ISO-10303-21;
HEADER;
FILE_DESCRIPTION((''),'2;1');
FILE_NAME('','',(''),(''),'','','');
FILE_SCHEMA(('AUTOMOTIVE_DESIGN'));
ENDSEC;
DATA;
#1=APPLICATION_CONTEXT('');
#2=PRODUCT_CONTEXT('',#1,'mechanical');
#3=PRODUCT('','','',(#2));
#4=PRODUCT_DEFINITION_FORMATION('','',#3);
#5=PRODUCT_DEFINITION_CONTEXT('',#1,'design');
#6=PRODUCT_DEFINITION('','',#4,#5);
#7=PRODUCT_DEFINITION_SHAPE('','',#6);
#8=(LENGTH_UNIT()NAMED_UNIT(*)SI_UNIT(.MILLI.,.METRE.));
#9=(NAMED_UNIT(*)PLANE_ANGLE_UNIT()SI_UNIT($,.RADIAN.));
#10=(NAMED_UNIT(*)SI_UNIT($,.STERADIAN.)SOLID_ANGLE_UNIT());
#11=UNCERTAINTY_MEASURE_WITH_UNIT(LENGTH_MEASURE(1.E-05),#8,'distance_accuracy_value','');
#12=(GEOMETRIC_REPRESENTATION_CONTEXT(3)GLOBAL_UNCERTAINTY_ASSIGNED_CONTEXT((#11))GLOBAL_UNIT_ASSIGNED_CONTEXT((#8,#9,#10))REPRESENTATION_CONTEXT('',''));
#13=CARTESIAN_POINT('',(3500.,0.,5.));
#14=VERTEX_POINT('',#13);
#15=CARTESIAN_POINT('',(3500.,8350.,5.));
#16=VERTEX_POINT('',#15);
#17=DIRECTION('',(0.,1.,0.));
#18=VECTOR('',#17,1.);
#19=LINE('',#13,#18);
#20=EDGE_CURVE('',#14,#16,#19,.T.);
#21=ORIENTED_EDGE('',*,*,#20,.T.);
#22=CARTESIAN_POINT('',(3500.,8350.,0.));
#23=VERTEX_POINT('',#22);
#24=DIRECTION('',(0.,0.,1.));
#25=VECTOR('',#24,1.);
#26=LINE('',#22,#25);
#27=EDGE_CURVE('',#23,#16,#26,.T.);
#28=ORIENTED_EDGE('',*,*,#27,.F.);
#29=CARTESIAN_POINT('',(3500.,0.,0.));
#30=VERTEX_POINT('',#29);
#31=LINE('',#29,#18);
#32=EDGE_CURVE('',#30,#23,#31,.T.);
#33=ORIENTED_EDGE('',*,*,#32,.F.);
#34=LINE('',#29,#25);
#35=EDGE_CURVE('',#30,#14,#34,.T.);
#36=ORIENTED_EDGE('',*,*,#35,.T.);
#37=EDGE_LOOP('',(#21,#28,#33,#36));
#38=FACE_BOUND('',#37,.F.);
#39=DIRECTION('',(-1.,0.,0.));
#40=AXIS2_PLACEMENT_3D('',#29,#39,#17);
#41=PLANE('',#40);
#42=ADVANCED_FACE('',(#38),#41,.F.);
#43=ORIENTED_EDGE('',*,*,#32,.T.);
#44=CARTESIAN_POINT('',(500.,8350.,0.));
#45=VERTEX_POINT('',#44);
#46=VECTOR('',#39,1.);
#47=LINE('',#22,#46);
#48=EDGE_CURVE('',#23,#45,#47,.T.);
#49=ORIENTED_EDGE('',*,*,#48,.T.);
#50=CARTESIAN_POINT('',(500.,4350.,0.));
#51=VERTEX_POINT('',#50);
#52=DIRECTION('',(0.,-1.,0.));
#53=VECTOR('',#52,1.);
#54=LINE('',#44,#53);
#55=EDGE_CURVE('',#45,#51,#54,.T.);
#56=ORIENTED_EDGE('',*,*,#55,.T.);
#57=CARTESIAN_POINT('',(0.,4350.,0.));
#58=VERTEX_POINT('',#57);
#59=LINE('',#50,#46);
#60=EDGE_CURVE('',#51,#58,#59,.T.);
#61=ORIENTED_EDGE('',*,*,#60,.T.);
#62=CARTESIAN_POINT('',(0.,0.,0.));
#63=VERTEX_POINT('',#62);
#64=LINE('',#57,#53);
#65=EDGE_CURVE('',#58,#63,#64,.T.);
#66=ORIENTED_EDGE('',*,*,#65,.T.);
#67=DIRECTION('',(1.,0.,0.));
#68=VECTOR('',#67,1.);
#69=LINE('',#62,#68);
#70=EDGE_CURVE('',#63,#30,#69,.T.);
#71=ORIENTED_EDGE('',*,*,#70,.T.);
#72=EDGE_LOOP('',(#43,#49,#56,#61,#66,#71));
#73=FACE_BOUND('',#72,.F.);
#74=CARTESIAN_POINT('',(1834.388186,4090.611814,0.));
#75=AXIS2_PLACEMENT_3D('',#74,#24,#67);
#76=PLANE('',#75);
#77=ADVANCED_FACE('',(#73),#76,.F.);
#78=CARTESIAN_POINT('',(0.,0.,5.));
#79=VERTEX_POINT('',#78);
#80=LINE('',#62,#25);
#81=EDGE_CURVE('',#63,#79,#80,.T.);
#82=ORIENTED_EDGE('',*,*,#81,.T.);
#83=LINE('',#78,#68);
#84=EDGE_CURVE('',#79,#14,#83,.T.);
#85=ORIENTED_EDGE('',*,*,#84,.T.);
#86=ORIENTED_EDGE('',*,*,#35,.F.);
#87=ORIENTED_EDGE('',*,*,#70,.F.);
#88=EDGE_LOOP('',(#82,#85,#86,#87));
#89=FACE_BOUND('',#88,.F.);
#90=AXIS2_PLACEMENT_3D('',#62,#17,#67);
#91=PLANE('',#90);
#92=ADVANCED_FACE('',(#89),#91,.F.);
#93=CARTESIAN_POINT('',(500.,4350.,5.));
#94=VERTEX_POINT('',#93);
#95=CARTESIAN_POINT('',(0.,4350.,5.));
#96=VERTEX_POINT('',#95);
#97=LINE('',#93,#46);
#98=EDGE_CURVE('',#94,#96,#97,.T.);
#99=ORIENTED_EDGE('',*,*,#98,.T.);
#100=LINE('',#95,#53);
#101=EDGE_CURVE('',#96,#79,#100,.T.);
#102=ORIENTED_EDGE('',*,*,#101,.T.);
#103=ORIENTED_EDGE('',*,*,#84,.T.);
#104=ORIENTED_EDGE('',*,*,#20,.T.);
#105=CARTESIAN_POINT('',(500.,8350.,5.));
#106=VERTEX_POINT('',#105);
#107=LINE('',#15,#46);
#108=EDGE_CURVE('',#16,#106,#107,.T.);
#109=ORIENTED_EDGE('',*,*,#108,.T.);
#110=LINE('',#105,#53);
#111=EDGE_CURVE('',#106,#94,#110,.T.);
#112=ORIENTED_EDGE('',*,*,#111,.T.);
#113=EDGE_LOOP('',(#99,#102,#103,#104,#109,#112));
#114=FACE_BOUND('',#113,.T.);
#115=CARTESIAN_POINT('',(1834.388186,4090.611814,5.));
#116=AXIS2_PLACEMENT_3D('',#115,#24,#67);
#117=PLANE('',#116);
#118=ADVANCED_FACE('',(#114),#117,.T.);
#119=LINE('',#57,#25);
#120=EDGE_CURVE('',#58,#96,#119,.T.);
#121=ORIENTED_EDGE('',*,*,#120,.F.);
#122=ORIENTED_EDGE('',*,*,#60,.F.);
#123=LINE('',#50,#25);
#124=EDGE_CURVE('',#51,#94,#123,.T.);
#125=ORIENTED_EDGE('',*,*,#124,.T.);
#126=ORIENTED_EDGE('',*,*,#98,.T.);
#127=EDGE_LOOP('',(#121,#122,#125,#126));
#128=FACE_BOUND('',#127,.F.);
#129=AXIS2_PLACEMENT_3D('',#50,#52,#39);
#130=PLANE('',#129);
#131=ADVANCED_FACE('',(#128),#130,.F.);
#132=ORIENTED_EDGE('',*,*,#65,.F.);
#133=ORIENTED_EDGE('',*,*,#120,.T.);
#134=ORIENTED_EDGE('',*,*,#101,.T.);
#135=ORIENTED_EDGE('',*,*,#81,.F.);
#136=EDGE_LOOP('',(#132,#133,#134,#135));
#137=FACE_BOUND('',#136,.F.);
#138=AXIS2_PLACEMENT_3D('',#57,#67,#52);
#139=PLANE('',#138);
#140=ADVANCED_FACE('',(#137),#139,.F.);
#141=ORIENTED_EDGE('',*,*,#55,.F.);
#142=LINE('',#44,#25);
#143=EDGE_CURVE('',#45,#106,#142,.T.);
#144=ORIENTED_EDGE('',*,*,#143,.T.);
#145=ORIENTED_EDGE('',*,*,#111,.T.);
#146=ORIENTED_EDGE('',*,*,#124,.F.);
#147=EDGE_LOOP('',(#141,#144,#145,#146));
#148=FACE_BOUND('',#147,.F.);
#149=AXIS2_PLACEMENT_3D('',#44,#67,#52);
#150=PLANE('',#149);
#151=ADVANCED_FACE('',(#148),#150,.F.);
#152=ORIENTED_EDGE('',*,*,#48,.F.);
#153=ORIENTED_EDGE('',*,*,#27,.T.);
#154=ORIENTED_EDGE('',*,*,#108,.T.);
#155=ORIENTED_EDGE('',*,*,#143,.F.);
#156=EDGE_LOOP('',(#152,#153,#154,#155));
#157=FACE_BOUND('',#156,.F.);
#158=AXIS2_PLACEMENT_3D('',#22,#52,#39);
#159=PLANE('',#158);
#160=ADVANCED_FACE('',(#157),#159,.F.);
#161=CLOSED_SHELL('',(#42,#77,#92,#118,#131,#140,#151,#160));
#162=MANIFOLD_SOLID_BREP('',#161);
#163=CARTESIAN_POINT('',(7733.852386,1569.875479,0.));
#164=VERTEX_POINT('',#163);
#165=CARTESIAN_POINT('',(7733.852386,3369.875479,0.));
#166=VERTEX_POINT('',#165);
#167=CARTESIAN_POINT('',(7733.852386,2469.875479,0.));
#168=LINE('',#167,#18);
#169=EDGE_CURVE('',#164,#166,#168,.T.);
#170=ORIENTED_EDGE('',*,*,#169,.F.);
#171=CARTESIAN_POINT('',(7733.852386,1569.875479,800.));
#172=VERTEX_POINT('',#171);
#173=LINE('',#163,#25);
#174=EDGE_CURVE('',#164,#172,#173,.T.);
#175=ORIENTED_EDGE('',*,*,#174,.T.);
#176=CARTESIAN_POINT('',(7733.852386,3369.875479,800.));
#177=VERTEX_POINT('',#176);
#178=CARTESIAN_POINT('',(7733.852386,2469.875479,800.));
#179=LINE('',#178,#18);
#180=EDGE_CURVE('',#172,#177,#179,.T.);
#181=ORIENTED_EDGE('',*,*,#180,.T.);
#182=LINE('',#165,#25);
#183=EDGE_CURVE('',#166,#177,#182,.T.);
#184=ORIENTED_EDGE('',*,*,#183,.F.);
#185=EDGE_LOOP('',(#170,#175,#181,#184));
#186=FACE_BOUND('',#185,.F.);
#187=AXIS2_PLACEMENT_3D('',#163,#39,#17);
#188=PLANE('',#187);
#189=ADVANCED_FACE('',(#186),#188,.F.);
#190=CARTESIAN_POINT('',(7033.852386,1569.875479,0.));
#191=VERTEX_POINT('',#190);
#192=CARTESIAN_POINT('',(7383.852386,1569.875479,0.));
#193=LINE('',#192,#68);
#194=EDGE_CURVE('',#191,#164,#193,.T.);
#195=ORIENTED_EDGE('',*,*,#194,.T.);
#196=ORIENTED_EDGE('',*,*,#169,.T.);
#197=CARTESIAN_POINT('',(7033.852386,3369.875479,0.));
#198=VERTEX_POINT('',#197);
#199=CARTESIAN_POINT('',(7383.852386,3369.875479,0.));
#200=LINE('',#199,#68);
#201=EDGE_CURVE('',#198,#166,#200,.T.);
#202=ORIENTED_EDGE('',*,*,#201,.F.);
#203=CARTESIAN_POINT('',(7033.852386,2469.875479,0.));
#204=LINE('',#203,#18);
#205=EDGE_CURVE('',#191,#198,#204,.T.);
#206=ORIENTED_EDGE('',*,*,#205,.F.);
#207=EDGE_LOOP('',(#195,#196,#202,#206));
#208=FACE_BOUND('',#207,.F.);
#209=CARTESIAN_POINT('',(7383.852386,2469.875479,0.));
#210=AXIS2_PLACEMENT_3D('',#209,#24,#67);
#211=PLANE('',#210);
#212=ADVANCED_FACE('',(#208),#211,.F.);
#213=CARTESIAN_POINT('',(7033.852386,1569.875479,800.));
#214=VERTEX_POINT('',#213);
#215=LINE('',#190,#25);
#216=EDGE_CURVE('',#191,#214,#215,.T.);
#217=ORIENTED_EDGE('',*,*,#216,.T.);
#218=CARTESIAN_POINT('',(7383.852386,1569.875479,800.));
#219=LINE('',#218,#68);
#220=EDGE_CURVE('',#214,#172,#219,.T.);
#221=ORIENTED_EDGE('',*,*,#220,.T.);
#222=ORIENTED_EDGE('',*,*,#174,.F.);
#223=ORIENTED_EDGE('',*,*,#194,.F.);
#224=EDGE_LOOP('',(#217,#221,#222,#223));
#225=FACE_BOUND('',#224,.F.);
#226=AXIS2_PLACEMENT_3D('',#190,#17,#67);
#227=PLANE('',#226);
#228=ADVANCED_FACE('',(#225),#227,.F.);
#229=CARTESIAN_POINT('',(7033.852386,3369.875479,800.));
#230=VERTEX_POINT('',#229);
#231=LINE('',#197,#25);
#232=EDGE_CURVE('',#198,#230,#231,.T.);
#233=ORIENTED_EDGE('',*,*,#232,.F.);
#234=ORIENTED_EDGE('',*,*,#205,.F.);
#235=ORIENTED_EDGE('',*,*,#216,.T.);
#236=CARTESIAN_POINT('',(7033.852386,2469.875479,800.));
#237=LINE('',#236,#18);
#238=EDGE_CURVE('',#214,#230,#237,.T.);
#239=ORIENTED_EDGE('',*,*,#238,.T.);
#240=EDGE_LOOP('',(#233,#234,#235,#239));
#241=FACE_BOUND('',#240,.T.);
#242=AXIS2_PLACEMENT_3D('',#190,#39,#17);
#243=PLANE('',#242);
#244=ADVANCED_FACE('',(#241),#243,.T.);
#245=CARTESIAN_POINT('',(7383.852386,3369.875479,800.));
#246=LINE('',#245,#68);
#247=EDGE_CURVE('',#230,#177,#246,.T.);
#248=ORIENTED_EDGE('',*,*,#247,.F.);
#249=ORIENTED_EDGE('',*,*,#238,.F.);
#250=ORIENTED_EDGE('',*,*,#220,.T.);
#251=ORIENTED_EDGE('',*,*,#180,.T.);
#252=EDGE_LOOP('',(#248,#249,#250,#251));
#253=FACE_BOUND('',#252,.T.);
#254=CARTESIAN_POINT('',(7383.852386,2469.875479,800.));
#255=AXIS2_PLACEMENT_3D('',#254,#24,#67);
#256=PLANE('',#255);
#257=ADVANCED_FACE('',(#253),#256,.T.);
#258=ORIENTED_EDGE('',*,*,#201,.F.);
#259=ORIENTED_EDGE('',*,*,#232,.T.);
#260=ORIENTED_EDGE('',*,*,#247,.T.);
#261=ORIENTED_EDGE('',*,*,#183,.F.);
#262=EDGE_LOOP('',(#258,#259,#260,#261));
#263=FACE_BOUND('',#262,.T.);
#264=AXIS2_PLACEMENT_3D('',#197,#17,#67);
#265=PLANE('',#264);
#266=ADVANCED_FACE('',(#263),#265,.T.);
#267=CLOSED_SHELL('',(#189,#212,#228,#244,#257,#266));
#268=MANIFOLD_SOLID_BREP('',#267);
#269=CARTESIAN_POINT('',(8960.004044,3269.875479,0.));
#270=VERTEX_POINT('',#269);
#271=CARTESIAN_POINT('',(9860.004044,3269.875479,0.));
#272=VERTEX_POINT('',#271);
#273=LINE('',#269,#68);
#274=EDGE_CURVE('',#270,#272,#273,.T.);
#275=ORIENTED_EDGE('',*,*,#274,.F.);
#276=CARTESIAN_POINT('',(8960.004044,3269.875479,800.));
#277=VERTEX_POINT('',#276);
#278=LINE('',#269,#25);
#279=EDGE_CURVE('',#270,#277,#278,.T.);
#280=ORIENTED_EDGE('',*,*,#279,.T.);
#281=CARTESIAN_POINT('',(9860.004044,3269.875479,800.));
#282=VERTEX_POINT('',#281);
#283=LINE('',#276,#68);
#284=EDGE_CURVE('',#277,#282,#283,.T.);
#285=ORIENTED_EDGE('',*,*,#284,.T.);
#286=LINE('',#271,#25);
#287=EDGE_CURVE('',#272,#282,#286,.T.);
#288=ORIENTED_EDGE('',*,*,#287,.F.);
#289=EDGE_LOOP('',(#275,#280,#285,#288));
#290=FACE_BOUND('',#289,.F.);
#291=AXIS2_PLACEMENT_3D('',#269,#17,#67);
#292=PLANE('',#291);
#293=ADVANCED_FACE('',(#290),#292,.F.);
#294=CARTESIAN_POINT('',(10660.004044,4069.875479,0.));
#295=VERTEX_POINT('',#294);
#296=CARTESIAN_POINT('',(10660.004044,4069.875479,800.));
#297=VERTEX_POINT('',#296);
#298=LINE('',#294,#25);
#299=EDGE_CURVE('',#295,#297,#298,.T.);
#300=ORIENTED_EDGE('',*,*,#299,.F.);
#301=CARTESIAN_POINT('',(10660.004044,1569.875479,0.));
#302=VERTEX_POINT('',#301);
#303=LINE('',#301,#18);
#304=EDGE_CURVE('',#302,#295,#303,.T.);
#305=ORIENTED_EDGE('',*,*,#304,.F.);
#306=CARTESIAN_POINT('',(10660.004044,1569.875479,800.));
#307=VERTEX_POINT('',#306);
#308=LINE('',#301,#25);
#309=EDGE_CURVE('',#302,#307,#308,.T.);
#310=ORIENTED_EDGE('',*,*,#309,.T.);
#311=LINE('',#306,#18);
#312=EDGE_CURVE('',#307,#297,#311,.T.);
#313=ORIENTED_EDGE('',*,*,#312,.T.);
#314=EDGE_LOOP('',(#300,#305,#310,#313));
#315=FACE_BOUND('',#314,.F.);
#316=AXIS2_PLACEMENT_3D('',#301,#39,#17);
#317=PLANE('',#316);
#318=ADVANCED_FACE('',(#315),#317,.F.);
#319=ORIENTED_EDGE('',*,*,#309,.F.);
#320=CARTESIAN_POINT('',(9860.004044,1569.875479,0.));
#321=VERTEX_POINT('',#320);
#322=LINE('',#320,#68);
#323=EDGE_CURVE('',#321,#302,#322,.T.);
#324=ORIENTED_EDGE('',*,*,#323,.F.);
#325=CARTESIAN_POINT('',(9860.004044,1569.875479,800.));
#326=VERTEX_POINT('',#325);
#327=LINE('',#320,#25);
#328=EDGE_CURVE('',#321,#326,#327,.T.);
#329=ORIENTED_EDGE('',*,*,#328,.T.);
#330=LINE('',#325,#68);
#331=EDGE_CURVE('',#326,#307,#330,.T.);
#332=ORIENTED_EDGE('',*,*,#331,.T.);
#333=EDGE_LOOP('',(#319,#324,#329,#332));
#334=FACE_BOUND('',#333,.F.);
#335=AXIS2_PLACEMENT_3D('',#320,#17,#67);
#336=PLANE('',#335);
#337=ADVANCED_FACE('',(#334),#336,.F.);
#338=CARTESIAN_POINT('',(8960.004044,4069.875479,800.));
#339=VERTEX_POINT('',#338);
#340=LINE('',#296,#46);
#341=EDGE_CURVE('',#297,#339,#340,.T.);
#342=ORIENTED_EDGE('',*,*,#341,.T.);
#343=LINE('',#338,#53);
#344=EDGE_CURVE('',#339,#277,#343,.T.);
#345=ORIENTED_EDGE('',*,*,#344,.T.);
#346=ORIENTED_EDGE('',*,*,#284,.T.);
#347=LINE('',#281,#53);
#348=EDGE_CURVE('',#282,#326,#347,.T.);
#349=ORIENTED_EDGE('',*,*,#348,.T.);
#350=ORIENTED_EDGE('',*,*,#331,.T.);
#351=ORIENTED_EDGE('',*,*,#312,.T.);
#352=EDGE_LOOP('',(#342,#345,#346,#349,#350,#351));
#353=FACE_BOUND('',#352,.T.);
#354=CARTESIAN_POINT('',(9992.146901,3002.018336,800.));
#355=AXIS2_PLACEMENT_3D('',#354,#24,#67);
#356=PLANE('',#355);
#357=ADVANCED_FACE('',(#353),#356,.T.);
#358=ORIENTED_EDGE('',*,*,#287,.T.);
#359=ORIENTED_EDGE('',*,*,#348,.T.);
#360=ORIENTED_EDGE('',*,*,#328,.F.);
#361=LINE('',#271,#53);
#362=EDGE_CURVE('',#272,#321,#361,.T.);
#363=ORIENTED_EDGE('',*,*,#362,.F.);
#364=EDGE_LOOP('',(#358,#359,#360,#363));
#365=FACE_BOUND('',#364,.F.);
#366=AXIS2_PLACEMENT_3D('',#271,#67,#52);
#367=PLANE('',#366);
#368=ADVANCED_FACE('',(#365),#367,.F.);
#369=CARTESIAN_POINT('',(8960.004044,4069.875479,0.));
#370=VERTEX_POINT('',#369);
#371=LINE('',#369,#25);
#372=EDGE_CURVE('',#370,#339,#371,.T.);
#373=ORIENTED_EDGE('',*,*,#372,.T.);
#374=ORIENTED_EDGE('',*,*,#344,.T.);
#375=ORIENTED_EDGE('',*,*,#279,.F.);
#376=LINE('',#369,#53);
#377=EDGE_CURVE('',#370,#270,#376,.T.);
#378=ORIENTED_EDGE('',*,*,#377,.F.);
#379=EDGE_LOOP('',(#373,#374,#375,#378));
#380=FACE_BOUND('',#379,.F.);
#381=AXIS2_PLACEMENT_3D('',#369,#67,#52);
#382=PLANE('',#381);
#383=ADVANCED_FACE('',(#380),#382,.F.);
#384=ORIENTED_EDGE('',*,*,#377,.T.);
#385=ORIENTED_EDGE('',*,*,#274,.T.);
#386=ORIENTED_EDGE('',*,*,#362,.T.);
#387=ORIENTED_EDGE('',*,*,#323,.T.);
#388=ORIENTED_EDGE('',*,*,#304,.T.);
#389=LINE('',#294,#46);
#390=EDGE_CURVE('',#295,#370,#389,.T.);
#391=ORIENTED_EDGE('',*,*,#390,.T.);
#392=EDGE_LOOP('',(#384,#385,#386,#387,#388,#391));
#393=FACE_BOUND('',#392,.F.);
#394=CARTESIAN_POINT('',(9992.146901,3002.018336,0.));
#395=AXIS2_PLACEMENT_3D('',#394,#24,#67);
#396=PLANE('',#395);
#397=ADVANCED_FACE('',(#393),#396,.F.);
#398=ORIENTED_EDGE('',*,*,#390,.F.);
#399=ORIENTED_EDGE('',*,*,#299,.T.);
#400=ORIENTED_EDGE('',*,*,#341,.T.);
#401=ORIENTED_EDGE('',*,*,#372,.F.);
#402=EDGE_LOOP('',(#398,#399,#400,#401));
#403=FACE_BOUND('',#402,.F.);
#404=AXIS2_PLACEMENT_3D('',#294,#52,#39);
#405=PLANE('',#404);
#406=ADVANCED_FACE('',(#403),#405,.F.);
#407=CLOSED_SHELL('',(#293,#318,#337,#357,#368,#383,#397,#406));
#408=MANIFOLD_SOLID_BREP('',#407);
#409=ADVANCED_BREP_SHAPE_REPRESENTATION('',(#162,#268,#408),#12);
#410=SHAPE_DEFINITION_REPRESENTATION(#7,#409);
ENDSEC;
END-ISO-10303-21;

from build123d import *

# Parameters (mm, degrees)
F1_DEPTH = 5
F2_W     = 700
F2_H     = 1800
F3_DEPTH = 800


with BuildPart() as f1:
    # F0 (on Top) → F1 (new body)
    with BuildSketch(Plane.XY):
        Polygon((0, 4350), (0, 0), (3500, 0), (3500, 8350), (500, 8350), (500, 4350), align=None)
    extrude(amount=F1_DEPTH)


with BuildPart() as f3:
    # F2 (on Top) → F3 (new body)
    with BuildSketch(Plane.XY):
        with Locations((7383.852386, 2469.875479)):
            Rectangle(F2_W, F2_H)
        Polygon((9860.004044, 1569.875479), (10660.004044, 1569.875479), (10660.004044, 4069.875479), (8960.004044, 4069.875479), (8960.004044, 3269.875479), (9860.004044, 3269.875479), align=None)
    extrude(amount=F3_DEPTH)


solid = Compound([f1.part, f3.part])
